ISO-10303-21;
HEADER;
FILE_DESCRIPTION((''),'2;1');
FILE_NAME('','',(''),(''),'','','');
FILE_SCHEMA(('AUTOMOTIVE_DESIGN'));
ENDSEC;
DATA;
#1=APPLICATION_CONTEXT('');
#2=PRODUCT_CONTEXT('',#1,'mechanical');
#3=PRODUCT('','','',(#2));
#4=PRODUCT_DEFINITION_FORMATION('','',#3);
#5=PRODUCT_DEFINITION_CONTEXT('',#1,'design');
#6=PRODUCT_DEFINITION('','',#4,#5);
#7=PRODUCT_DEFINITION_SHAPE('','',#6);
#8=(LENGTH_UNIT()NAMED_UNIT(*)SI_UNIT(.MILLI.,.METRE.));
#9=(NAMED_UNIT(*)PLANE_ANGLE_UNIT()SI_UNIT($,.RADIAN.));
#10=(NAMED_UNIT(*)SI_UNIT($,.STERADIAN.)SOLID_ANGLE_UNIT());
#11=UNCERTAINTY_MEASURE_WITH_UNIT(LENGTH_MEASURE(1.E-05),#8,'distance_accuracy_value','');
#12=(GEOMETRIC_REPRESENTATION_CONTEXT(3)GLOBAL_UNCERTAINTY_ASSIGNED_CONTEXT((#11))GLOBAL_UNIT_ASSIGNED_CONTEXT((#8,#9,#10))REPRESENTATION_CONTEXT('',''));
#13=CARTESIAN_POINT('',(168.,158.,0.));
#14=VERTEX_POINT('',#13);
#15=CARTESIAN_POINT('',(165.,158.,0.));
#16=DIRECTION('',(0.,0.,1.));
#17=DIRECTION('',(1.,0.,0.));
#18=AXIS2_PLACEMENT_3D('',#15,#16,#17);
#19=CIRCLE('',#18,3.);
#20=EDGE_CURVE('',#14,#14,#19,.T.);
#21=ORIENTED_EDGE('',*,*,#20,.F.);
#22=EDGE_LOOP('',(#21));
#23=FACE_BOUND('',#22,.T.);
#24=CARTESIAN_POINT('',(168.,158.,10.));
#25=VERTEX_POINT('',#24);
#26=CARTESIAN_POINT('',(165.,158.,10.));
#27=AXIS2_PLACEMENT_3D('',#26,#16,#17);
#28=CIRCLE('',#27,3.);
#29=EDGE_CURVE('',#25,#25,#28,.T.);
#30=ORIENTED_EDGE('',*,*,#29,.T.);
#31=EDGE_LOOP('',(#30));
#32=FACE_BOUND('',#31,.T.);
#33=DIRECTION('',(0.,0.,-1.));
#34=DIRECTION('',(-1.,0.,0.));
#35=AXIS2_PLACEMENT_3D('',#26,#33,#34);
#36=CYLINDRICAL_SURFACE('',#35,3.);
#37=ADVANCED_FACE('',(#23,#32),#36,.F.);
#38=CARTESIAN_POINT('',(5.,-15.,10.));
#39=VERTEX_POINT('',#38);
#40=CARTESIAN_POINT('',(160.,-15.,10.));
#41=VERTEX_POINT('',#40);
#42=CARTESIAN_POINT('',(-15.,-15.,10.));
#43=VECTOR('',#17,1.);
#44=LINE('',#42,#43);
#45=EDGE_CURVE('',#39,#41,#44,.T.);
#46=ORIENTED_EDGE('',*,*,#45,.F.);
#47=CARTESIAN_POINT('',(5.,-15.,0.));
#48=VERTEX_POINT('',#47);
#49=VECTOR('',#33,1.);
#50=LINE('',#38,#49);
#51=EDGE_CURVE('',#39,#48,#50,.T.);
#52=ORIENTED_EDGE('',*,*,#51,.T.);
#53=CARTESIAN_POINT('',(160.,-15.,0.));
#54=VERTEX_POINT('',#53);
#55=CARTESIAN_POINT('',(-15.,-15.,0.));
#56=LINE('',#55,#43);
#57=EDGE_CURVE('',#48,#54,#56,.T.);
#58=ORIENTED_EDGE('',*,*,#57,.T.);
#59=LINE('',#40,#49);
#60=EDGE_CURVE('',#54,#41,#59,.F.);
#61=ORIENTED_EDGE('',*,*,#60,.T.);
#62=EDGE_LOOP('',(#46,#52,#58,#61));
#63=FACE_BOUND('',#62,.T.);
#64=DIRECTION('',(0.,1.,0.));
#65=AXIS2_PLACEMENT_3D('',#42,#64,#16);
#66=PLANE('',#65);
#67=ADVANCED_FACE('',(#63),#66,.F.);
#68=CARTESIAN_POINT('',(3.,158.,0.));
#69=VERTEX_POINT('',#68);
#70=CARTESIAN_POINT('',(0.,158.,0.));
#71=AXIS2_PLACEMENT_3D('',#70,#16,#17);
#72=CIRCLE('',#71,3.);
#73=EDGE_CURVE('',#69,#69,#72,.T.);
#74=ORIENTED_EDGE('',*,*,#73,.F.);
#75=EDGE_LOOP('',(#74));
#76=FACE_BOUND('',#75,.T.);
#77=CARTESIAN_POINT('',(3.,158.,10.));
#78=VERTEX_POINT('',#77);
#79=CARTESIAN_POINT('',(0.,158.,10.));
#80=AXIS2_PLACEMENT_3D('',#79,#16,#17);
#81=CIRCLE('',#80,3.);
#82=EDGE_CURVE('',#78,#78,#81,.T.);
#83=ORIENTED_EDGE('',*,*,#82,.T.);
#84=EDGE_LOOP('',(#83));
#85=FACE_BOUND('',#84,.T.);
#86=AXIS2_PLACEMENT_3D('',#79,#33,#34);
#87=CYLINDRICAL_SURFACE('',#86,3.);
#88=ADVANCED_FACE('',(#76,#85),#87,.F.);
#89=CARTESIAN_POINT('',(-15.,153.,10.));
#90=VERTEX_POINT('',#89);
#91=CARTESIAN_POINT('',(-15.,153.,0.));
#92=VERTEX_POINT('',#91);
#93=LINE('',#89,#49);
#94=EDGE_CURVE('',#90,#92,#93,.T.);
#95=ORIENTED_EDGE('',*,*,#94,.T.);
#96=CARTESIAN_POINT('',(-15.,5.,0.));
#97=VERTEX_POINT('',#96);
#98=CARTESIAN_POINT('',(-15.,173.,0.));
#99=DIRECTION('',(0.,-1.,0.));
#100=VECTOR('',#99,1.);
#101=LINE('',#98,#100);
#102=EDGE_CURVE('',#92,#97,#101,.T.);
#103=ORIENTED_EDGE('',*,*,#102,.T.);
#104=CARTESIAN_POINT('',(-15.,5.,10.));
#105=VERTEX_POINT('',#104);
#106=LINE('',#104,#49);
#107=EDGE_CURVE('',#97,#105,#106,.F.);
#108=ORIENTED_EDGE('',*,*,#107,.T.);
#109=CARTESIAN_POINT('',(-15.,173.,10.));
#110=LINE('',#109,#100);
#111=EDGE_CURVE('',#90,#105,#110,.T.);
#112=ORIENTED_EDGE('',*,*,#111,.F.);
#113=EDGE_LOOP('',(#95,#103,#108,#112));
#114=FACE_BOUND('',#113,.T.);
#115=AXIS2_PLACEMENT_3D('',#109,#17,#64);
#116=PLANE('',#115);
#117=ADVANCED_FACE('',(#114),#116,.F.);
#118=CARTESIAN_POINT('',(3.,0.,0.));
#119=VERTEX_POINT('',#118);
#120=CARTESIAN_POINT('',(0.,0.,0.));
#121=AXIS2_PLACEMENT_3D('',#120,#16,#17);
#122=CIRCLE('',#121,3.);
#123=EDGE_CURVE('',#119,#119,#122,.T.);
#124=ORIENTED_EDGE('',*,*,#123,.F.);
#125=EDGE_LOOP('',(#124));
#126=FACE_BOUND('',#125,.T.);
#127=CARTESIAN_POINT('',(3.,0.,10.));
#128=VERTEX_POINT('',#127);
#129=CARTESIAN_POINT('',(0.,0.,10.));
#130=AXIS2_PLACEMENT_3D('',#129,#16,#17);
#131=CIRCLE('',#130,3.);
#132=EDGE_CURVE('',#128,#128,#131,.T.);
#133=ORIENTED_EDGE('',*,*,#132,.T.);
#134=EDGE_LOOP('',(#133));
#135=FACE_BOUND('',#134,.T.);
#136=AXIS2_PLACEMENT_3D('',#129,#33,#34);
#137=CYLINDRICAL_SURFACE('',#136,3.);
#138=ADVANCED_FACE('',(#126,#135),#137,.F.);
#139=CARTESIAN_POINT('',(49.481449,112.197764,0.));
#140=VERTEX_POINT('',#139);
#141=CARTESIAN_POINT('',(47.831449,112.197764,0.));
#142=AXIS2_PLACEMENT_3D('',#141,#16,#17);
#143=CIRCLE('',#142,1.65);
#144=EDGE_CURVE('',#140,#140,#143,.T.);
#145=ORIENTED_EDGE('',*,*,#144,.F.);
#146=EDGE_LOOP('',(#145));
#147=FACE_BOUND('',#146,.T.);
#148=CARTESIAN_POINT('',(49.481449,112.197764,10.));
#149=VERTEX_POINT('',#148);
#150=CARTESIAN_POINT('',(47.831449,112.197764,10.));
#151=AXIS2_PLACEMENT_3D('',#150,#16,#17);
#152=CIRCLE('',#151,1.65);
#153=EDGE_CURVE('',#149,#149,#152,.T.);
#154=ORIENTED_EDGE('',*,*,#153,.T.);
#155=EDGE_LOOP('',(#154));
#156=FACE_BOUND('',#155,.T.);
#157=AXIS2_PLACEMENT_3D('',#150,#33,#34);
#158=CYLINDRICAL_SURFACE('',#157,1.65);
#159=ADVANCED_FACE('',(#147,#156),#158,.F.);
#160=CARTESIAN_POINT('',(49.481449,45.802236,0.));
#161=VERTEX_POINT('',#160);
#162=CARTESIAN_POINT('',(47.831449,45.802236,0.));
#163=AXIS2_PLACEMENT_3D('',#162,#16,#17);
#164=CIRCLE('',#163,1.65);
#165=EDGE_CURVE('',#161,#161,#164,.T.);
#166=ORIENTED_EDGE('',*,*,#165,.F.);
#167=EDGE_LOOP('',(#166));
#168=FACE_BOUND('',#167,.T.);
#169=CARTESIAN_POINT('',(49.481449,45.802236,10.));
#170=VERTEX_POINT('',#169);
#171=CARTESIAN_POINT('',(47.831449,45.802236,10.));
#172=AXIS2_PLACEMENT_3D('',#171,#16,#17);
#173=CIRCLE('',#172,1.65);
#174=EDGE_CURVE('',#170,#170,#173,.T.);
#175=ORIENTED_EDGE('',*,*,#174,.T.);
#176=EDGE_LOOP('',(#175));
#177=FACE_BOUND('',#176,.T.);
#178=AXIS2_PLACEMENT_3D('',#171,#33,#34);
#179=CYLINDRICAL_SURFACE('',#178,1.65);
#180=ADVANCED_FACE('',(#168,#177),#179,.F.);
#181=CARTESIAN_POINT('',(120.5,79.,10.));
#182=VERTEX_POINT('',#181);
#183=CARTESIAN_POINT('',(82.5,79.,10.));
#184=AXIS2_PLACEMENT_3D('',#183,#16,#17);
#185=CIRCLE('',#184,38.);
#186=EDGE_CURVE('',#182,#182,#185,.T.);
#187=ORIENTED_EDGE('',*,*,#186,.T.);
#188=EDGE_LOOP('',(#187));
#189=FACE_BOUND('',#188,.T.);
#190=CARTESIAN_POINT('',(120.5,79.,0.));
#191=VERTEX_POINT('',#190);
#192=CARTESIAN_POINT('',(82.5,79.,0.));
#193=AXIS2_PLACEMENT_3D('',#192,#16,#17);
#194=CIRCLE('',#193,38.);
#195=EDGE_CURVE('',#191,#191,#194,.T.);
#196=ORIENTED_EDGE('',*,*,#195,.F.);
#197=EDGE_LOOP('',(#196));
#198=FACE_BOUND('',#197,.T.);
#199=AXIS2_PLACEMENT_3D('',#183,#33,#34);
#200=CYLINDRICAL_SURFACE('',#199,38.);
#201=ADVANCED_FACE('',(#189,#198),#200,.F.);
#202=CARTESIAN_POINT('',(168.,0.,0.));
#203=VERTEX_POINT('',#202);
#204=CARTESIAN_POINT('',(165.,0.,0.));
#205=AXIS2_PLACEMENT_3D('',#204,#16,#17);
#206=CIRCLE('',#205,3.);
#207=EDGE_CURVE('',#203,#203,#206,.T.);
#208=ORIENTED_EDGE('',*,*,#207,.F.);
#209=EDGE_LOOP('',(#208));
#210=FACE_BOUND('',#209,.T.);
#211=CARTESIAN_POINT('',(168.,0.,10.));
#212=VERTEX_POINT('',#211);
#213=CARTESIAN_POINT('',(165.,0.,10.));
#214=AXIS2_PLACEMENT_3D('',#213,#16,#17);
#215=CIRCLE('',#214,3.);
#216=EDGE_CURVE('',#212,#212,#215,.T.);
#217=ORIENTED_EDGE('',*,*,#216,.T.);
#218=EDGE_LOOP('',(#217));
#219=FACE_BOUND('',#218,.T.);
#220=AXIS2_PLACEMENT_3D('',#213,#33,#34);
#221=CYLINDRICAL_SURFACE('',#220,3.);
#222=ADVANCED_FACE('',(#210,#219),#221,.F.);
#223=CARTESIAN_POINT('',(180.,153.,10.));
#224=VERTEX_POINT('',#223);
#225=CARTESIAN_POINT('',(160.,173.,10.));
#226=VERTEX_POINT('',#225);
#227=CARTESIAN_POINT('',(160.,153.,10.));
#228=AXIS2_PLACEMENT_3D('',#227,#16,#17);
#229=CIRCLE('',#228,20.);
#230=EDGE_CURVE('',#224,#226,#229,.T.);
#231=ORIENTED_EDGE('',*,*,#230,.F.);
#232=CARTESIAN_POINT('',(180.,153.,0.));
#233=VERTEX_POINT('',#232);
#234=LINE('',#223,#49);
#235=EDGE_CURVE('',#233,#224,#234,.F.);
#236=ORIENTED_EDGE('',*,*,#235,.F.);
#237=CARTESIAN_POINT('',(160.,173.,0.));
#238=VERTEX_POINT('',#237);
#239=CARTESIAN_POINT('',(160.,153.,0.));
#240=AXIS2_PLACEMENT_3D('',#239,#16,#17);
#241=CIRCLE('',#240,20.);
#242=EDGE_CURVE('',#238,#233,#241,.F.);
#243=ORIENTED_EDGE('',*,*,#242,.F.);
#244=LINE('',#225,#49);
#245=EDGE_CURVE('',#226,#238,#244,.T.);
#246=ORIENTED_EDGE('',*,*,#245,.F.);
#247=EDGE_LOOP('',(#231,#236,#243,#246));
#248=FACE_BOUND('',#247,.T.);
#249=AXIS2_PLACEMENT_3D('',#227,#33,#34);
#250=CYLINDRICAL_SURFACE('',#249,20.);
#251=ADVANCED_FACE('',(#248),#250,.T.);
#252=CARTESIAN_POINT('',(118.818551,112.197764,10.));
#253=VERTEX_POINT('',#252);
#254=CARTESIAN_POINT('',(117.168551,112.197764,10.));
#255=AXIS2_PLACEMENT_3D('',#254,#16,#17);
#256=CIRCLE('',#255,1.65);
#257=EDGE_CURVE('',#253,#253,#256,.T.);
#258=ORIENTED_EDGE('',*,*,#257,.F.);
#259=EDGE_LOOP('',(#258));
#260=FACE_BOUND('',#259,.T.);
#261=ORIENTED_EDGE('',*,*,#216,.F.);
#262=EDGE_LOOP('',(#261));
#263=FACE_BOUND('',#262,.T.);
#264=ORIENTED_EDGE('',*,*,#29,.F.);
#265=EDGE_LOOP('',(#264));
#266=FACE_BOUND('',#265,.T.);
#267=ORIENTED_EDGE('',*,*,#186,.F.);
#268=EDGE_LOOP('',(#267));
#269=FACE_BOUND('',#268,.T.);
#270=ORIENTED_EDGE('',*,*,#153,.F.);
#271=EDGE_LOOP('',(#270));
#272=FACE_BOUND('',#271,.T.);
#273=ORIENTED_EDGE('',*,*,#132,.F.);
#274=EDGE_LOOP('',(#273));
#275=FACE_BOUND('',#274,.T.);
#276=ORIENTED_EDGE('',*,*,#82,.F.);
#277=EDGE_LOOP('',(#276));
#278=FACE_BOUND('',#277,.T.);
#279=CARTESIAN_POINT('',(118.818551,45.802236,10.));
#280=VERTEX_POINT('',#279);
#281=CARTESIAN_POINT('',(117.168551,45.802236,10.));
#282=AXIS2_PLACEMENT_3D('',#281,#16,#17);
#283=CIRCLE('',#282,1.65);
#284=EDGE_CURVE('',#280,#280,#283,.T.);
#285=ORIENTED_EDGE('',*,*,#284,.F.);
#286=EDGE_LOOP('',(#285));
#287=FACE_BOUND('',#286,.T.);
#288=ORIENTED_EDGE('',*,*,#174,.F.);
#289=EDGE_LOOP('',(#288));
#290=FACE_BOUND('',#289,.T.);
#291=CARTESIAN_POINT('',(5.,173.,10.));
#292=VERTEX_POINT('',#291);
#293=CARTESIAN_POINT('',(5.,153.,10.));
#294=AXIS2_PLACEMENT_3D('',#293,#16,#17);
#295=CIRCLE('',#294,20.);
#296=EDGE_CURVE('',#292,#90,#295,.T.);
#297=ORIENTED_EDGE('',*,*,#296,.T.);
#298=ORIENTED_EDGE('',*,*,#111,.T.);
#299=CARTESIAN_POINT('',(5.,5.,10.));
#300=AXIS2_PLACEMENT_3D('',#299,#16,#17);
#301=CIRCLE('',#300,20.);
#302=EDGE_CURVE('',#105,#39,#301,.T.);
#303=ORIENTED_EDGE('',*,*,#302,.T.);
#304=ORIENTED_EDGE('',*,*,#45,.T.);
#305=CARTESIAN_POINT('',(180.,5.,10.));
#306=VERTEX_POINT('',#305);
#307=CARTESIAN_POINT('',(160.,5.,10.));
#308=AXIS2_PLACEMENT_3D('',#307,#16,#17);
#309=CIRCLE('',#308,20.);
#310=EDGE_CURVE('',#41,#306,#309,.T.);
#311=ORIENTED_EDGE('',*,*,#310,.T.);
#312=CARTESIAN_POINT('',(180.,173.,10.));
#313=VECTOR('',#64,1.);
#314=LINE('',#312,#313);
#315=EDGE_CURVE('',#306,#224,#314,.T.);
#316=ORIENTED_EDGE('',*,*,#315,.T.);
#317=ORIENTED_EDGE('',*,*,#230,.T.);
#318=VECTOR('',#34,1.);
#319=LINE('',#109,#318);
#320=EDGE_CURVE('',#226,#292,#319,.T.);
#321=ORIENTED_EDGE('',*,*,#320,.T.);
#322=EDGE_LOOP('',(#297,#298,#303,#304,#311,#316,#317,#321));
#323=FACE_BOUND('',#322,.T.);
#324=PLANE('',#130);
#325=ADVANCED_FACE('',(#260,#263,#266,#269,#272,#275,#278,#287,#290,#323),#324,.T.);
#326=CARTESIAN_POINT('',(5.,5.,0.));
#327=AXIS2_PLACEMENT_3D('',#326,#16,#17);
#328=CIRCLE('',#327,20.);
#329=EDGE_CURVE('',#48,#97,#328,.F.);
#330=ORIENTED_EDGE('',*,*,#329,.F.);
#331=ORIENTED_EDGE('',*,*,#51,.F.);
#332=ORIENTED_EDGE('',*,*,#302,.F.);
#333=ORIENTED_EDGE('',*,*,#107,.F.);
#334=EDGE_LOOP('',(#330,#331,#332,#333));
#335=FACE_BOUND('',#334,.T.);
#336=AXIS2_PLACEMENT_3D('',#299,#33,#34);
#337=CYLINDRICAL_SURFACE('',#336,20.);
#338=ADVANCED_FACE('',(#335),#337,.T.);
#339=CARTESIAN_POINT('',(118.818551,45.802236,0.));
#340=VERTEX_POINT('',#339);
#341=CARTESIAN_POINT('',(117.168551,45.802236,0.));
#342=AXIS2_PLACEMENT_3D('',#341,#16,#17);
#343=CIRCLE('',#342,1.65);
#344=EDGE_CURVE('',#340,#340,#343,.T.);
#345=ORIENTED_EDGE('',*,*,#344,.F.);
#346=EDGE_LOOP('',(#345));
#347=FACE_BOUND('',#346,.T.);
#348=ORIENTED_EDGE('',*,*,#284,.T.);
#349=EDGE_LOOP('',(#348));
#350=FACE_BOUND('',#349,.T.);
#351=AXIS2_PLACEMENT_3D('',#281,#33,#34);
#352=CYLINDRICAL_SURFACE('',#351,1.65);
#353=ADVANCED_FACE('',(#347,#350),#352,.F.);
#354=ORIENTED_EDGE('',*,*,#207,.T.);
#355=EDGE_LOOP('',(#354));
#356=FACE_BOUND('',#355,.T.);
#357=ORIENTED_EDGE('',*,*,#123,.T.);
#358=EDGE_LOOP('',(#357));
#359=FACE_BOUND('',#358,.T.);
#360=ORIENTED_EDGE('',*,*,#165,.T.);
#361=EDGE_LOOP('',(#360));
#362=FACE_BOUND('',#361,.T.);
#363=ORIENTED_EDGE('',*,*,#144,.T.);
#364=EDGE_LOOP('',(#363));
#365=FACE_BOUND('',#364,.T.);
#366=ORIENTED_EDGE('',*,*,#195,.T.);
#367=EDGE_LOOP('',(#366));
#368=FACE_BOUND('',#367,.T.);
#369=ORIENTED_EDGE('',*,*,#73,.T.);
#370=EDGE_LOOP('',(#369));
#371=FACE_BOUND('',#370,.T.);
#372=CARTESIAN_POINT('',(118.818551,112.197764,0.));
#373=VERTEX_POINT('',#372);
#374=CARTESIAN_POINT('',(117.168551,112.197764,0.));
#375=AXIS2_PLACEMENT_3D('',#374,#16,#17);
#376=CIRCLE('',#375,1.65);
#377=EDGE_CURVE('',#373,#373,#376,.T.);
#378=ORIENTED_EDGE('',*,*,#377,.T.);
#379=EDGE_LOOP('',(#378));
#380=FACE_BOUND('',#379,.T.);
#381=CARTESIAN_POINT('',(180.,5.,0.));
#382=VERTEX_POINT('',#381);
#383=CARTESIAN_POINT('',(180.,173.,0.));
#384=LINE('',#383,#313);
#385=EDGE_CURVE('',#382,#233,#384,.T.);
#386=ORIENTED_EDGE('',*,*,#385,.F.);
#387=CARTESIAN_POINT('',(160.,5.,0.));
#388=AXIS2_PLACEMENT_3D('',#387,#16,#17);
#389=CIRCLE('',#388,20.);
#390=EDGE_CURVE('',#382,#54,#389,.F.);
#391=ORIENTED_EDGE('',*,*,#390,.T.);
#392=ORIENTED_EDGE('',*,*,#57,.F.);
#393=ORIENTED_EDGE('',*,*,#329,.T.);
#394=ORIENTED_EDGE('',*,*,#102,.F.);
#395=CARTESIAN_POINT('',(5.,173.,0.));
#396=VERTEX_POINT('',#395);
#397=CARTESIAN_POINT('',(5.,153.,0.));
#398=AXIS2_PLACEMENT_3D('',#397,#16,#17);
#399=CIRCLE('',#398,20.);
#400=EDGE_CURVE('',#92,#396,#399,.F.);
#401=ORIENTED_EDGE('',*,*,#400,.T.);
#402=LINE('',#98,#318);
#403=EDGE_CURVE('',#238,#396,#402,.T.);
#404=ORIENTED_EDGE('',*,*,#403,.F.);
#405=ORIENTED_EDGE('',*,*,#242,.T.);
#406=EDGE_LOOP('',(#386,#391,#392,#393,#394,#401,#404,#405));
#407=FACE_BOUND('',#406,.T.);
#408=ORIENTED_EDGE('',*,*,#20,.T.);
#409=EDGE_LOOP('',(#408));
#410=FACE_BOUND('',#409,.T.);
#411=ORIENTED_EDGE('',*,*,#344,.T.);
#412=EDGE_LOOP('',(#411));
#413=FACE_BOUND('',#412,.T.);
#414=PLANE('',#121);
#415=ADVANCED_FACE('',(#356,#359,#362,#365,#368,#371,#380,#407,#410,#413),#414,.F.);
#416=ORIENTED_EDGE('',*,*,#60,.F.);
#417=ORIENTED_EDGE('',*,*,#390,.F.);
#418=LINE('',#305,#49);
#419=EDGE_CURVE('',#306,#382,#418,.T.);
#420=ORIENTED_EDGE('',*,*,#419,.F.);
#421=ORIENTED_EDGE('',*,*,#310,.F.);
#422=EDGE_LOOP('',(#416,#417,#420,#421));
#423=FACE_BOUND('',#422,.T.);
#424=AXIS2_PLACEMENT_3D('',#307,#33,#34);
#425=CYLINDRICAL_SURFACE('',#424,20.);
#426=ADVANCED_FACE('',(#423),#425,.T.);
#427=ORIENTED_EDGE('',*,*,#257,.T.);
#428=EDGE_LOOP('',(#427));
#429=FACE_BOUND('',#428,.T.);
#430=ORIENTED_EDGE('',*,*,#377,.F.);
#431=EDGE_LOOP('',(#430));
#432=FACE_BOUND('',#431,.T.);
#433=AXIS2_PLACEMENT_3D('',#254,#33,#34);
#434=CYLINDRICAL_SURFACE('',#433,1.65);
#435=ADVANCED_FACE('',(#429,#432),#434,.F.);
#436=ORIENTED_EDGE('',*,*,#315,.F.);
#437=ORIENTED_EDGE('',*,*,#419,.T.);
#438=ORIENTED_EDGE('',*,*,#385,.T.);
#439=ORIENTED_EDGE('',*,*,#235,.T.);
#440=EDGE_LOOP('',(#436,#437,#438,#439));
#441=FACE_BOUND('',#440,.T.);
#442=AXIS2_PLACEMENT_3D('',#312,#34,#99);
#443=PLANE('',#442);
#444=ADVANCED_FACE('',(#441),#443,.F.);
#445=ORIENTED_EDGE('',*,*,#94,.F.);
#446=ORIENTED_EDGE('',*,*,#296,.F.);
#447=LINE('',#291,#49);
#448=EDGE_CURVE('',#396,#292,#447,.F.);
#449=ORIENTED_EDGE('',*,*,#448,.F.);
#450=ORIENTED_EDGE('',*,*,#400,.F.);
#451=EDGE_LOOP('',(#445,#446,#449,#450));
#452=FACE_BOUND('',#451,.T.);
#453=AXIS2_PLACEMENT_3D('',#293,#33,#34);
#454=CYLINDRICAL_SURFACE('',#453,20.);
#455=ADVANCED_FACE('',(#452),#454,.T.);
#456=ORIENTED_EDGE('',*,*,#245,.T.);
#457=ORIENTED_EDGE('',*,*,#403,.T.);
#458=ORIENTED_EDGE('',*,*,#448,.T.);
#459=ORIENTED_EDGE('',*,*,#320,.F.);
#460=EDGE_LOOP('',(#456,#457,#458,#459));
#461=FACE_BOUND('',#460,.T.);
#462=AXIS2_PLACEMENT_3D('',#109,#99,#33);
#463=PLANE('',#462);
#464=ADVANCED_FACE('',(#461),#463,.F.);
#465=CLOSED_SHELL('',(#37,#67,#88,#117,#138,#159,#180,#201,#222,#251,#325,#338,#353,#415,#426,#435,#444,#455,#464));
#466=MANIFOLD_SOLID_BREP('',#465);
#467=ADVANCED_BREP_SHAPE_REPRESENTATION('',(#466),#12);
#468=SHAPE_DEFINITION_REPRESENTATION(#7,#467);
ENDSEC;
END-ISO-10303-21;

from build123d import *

# Parameters (mm, degrees)
SKETCH1_W           = 195
SKETCH1_H           = 188
SKETCH1_R           = 3
SKETCH1_R_2         = 38
SKETCH1_R_3         = 1.65
BOSS_EXTRUDE1_DEPTH = 10
FILLET1_R           = 20


with BuildPart() as part:
    # Sketch1 → Boss-Extrude1 (new body)
    with BuildSketch(Plane.XY):
        with Locations((82.5, 79)):
            Rectangle(SKETCH1_W, SKETCH1_H)
        with Locations((165, 0)):
            Circle(SKETCH1_R, mode=Mode.SUBTRACT)
        with Locations((165, 158)):
            Circle(SKETCH1_R, mode=Mode.SUBTRACT)
        with Locations((0, 158)):
            Circle(SKETCH1_R, mode=Mode.SUBTRACT)
        Circle(SKETCH1_R, mode=Mode.SUBTRACT)
        with Locations((82.5, 79)):
            Circle(SKETCH1_R_2, mode=Mode.SUBTRACT)
        with Locations((117.168551284, 112.19776426)):
            Circle(SKETCH1_R_3, mode=Mode.SUBTRACT)
        with Locations((47.831448716, 112.19776426)):
            Circle(SKETCH1_R_3, mode=Mode.SUBTRACT)
        with Locations((47.831448716, 45.80223574)):
            Circle(SKETCH1_R_3, mode=Mode.SUBTRACT)
        with Locations((117.168551284, 45.80223574)):
            Circle(SKETCH1_R_3, mode=Mode.SUBTRACT)
    extrude(amount=BOSS_EXTRUDE1_DEPTH)

    # Fillet1
    fillet1_edges = [part.edges().sort_by_distance(p)[0] for p in [
        (-15, 173, 5),
        (180, 173, 5),
        (180, -15, 5),
        (-15, -15, 5),
    ]]
    fillet(fillet1_edges, radius=FILLET1_R)


solid = part.part
